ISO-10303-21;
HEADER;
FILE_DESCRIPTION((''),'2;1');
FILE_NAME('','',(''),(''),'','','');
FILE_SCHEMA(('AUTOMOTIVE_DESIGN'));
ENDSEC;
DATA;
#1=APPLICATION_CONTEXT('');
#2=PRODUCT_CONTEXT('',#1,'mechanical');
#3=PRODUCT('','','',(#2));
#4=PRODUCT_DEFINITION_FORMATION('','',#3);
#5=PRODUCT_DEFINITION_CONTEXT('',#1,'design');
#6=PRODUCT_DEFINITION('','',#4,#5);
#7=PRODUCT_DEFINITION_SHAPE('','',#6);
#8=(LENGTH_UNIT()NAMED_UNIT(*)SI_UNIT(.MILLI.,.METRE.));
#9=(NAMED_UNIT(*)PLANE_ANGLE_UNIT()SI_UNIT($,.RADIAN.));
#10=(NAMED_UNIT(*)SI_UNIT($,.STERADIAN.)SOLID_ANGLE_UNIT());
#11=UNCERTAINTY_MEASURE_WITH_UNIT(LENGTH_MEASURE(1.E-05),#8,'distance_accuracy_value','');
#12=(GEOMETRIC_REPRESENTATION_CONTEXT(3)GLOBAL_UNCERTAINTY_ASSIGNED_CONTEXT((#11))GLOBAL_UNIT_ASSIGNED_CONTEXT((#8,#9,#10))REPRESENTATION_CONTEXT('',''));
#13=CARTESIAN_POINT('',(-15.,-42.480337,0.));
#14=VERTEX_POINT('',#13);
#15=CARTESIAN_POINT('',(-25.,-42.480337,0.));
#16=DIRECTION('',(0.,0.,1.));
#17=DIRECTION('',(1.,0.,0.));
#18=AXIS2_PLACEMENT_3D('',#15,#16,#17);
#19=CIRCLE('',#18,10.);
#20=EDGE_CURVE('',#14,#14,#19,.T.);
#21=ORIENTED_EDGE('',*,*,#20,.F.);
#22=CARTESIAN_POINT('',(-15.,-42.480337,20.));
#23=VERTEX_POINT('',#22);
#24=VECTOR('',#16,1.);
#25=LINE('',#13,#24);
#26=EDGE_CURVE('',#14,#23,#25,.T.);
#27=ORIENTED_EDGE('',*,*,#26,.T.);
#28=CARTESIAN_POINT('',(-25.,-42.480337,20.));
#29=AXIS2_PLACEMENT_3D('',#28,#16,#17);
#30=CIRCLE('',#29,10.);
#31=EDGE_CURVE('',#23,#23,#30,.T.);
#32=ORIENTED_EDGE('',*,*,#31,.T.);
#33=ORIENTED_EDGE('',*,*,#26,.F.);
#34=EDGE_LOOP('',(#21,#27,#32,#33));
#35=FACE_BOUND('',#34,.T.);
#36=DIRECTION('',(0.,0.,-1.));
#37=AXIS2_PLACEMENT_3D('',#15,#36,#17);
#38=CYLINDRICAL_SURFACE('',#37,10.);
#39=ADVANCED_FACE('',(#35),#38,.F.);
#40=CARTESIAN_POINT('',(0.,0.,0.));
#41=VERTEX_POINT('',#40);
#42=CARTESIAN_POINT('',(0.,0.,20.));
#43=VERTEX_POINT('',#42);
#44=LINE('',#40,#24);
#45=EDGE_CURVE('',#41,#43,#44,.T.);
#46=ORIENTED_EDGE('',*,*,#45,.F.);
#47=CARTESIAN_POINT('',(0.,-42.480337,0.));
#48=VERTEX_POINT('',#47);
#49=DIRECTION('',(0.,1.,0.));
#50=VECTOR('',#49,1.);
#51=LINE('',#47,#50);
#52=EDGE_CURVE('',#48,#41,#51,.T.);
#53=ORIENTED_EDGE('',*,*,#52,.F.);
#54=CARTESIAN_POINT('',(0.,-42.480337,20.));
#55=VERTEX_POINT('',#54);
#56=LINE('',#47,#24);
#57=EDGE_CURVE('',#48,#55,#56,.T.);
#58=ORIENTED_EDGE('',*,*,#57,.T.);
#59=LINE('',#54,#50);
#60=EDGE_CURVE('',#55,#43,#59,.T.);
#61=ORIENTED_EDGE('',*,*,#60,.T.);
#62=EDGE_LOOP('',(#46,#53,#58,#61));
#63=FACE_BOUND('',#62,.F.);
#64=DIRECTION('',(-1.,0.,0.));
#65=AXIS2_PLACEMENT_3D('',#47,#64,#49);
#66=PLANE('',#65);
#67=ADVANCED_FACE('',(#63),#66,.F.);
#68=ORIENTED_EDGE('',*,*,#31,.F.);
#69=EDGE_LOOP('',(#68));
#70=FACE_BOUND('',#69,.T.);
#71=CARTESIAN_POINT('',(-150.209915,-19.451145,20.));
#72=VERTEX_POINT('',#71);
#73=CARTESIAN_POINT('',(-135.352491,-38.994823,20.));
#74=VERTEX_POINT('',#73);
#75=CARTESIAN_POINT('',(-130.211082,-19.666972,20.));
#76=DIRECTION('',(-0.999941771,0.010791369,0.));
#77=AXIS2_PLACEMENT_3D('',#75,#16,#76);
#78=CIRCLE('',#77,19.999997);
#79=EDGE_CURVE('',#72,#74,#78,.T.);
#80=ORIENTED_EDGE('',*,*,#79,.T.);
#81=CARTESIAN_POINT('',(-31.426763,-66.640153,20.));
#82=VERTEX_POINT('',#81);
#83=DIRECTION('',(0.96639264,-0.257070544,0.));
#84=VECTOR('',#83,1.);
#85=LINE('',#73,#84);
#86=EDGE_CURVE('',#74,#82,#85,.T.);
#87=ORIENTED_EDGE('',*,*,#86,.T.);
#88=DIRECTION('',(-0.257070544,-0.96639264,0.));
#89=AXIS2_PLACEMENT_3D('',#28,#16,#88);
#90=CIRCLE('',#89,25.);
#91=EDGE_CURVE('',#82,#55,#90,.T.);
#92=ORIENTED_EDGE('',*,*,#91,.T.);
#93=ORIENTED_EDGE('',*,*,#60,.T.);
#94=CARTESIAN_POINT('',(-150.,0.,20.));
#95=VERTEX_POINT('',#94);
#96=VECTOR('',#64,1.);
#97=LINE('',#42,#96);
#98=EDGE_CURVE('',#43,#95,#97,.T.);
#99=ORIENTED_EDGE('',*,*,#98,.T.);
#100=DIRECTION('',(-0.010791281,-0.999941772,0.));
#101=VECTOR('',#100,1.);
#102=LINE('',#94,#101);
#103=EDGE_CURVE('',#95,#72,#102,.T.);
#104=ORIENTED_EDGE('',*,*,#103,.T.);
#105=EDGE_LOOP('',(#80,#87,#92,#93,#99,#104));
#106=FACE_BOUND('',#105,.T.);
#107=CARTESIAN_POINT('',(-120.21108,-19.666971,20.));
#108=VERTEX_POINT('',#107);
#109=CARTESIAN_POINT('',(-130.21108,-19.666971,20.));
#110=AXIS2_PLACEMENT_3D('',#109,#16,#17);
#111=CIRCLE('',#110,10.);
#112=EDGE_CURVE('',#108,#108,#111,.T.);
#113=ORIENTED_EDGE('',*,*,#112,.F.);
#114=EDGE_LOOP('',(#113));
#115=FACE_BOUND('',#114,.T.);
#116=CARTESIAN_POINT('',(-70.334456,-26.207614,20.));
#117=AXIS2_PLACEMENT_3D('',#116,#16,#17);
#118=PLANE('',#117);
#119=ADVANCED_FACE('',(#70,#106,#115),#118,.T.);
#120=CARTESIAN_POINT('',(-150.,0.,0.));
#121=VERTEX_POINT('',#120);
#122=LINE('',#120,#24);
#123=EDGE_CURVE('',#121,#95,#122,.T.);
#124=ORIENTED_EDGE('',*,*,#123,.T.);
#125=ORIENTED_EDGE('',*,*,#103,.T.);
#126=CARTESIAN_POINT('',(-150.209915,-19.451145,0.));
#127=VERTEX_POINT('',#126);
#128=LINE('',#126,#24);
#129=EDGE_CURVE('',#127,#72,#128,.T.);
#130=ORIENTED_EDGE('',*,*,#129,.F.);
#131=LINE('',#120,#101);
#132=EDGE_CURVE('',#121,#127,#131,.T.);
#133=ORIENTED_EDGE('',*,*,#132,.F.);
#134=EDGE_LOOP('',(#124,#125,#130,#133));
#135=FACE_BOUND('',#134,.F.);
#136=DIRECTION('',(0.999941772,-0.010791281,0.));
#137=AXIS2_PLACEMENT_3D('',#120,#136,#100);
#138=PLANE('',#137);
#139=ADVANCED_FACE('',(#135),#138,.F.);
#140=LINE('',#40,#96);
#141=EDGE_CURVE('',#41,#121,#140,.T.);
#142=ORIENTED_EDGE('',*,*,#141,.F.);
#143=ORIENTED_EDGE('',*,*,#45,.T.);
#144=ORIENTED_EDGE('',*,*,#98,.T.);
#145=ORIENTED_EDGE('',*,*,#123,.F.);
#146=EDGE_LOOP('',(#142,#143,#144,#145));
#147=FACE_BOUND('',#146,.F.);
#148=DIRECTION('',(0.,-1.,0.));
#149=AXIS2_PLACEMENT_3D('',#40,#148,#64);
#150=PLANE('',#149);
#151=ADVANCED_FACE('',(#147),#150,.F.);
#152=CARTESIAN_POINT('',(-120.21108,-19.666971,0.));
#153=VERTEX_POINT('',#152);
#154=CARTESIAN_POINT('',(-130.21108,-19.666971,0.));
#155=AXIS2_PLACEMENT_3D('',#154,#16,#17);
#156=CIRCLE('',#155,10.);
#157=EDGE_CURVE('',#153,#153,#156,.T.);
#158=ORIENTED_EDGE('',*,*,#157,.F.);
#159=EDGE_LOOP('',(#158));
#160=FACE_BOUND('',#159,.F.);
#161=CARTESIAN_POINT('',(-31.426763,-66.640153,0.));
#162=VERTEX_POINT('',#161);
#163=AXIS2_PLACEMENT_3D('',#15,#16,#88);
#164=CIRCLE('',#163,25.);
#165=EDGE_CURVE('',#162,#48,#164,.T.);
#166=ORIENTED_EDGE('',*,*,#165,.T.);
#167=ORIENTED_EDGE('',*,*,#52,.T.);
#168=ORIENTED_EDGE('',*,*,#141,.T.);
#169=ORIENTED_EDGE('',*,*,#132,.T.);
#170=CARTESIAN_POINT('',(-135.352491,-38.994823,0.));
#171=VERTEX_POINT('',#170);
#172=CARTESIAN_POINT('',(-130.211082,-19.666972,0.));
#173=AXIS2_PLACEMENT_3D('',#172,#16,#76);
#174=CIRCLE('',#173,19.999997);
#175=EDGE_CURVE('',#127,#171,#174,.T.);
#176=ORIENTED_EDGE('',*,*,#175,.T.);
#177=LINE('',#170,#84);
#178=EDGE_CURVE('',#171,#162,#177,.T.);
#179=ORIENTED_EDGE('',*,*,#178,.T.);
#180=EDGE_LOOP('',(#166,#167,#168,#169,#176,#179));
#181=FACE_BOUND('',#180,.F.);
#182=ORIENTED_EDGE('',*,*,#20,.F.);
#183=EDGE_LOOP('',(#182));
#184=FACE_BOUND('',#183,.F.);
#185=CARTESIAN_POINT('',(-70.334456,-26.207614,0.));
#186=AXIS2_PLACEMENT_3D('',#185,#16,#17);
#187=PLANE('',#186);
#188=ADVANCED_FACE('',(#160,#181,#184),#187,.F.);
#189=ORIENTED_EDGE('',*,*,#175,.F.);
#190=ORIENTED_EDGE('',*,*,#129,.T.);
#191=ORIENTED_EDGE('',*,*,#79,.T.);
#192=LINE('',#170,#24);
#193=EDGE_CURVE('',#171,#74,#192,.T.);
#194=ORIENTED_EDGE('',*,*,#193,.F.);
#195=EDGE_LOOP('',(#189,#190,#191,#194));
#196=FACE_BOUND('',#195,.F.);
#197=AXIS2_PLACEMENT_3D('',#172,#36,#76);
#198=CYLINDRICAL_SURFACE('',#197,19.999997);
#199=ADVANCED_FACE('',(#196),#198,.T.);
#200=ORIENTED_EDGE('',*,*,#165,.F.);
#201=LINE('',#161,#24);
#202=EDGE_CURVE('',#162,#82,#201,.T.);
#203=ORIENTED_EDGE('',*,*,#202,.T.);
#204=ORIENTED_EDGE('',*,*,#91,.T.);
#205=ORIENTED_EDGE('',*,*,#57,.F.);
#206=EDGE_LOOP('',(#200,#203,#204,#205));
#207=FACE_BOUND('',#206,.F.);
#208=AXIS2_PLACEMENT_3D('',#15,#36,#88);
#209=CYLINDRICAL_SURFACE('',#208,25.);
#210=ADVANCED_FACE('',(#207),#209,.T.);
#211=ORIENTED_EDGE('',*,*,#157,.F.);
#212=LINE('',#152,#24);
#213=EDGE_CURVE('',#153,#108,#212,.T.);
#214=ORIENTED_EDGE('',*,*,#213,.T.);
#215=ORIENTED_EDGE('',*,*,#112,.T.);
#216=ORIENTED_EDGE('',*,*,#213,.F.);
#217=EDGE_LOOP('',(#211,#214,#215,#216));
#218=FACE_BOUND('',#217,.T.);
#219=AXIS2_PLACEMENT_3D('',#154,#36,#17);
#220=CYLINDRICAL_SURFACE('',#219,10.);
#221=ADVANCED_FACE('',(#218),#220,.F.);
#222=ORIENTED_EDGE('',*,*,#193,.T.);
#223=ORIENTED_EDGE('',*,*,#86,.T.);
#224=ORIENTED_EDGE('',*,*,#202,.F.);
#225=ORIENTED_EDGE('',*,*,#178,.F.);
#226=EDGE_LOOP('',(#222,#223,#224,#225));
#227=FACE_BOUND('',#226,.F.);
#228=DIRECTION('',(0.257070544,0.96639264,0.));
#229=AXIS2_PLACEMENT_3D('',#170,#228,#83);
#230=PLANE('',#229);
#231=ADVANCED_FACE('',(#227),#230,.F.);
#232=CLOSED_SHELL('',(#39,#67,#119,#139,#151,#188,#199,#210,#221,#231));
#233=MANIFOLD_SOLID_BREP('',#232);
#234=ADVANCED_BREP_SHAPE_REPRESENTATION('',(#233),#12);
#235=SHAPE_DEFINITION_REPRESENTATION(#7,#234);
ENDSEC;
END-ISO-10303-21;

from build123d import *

# Parameters (mm, degrees)
F0_R     = 10
F1_DEPTH = 20


with BuildPart() as f1:
    # F0 (on Top) → F1 (new body)
    with BuildSketch(Plane.XY):
        with BuildLine():
            Line((0, -42.480337), (0, 0))
            Line((0, 0), (-150, 0))
            Line((-150, 0), (-150.209915, -19.451145))
            ThreePointArc((-150.209915, -19.451145), (-146.132664, -31.77082), (-135.352491, -38.994823))
            Line((-135.352491, -38.994823), (-31.426763, -66.640153))
            ThreePointArc((-31.426763, -66.640153), (-9.763023, -62.300391), (0, -42.480337))
        make_face()
        with Locations((-25, -42.480337)):
            Circle(F0_R, mode=Mode.SUBTRACT)
        with Locations((-130.21108, -19.666971)):
            Circle(F0_R, mode=Mode.SUBTRACT)
    extrude(amount=F1_DEPTH)


solid = f1.part
